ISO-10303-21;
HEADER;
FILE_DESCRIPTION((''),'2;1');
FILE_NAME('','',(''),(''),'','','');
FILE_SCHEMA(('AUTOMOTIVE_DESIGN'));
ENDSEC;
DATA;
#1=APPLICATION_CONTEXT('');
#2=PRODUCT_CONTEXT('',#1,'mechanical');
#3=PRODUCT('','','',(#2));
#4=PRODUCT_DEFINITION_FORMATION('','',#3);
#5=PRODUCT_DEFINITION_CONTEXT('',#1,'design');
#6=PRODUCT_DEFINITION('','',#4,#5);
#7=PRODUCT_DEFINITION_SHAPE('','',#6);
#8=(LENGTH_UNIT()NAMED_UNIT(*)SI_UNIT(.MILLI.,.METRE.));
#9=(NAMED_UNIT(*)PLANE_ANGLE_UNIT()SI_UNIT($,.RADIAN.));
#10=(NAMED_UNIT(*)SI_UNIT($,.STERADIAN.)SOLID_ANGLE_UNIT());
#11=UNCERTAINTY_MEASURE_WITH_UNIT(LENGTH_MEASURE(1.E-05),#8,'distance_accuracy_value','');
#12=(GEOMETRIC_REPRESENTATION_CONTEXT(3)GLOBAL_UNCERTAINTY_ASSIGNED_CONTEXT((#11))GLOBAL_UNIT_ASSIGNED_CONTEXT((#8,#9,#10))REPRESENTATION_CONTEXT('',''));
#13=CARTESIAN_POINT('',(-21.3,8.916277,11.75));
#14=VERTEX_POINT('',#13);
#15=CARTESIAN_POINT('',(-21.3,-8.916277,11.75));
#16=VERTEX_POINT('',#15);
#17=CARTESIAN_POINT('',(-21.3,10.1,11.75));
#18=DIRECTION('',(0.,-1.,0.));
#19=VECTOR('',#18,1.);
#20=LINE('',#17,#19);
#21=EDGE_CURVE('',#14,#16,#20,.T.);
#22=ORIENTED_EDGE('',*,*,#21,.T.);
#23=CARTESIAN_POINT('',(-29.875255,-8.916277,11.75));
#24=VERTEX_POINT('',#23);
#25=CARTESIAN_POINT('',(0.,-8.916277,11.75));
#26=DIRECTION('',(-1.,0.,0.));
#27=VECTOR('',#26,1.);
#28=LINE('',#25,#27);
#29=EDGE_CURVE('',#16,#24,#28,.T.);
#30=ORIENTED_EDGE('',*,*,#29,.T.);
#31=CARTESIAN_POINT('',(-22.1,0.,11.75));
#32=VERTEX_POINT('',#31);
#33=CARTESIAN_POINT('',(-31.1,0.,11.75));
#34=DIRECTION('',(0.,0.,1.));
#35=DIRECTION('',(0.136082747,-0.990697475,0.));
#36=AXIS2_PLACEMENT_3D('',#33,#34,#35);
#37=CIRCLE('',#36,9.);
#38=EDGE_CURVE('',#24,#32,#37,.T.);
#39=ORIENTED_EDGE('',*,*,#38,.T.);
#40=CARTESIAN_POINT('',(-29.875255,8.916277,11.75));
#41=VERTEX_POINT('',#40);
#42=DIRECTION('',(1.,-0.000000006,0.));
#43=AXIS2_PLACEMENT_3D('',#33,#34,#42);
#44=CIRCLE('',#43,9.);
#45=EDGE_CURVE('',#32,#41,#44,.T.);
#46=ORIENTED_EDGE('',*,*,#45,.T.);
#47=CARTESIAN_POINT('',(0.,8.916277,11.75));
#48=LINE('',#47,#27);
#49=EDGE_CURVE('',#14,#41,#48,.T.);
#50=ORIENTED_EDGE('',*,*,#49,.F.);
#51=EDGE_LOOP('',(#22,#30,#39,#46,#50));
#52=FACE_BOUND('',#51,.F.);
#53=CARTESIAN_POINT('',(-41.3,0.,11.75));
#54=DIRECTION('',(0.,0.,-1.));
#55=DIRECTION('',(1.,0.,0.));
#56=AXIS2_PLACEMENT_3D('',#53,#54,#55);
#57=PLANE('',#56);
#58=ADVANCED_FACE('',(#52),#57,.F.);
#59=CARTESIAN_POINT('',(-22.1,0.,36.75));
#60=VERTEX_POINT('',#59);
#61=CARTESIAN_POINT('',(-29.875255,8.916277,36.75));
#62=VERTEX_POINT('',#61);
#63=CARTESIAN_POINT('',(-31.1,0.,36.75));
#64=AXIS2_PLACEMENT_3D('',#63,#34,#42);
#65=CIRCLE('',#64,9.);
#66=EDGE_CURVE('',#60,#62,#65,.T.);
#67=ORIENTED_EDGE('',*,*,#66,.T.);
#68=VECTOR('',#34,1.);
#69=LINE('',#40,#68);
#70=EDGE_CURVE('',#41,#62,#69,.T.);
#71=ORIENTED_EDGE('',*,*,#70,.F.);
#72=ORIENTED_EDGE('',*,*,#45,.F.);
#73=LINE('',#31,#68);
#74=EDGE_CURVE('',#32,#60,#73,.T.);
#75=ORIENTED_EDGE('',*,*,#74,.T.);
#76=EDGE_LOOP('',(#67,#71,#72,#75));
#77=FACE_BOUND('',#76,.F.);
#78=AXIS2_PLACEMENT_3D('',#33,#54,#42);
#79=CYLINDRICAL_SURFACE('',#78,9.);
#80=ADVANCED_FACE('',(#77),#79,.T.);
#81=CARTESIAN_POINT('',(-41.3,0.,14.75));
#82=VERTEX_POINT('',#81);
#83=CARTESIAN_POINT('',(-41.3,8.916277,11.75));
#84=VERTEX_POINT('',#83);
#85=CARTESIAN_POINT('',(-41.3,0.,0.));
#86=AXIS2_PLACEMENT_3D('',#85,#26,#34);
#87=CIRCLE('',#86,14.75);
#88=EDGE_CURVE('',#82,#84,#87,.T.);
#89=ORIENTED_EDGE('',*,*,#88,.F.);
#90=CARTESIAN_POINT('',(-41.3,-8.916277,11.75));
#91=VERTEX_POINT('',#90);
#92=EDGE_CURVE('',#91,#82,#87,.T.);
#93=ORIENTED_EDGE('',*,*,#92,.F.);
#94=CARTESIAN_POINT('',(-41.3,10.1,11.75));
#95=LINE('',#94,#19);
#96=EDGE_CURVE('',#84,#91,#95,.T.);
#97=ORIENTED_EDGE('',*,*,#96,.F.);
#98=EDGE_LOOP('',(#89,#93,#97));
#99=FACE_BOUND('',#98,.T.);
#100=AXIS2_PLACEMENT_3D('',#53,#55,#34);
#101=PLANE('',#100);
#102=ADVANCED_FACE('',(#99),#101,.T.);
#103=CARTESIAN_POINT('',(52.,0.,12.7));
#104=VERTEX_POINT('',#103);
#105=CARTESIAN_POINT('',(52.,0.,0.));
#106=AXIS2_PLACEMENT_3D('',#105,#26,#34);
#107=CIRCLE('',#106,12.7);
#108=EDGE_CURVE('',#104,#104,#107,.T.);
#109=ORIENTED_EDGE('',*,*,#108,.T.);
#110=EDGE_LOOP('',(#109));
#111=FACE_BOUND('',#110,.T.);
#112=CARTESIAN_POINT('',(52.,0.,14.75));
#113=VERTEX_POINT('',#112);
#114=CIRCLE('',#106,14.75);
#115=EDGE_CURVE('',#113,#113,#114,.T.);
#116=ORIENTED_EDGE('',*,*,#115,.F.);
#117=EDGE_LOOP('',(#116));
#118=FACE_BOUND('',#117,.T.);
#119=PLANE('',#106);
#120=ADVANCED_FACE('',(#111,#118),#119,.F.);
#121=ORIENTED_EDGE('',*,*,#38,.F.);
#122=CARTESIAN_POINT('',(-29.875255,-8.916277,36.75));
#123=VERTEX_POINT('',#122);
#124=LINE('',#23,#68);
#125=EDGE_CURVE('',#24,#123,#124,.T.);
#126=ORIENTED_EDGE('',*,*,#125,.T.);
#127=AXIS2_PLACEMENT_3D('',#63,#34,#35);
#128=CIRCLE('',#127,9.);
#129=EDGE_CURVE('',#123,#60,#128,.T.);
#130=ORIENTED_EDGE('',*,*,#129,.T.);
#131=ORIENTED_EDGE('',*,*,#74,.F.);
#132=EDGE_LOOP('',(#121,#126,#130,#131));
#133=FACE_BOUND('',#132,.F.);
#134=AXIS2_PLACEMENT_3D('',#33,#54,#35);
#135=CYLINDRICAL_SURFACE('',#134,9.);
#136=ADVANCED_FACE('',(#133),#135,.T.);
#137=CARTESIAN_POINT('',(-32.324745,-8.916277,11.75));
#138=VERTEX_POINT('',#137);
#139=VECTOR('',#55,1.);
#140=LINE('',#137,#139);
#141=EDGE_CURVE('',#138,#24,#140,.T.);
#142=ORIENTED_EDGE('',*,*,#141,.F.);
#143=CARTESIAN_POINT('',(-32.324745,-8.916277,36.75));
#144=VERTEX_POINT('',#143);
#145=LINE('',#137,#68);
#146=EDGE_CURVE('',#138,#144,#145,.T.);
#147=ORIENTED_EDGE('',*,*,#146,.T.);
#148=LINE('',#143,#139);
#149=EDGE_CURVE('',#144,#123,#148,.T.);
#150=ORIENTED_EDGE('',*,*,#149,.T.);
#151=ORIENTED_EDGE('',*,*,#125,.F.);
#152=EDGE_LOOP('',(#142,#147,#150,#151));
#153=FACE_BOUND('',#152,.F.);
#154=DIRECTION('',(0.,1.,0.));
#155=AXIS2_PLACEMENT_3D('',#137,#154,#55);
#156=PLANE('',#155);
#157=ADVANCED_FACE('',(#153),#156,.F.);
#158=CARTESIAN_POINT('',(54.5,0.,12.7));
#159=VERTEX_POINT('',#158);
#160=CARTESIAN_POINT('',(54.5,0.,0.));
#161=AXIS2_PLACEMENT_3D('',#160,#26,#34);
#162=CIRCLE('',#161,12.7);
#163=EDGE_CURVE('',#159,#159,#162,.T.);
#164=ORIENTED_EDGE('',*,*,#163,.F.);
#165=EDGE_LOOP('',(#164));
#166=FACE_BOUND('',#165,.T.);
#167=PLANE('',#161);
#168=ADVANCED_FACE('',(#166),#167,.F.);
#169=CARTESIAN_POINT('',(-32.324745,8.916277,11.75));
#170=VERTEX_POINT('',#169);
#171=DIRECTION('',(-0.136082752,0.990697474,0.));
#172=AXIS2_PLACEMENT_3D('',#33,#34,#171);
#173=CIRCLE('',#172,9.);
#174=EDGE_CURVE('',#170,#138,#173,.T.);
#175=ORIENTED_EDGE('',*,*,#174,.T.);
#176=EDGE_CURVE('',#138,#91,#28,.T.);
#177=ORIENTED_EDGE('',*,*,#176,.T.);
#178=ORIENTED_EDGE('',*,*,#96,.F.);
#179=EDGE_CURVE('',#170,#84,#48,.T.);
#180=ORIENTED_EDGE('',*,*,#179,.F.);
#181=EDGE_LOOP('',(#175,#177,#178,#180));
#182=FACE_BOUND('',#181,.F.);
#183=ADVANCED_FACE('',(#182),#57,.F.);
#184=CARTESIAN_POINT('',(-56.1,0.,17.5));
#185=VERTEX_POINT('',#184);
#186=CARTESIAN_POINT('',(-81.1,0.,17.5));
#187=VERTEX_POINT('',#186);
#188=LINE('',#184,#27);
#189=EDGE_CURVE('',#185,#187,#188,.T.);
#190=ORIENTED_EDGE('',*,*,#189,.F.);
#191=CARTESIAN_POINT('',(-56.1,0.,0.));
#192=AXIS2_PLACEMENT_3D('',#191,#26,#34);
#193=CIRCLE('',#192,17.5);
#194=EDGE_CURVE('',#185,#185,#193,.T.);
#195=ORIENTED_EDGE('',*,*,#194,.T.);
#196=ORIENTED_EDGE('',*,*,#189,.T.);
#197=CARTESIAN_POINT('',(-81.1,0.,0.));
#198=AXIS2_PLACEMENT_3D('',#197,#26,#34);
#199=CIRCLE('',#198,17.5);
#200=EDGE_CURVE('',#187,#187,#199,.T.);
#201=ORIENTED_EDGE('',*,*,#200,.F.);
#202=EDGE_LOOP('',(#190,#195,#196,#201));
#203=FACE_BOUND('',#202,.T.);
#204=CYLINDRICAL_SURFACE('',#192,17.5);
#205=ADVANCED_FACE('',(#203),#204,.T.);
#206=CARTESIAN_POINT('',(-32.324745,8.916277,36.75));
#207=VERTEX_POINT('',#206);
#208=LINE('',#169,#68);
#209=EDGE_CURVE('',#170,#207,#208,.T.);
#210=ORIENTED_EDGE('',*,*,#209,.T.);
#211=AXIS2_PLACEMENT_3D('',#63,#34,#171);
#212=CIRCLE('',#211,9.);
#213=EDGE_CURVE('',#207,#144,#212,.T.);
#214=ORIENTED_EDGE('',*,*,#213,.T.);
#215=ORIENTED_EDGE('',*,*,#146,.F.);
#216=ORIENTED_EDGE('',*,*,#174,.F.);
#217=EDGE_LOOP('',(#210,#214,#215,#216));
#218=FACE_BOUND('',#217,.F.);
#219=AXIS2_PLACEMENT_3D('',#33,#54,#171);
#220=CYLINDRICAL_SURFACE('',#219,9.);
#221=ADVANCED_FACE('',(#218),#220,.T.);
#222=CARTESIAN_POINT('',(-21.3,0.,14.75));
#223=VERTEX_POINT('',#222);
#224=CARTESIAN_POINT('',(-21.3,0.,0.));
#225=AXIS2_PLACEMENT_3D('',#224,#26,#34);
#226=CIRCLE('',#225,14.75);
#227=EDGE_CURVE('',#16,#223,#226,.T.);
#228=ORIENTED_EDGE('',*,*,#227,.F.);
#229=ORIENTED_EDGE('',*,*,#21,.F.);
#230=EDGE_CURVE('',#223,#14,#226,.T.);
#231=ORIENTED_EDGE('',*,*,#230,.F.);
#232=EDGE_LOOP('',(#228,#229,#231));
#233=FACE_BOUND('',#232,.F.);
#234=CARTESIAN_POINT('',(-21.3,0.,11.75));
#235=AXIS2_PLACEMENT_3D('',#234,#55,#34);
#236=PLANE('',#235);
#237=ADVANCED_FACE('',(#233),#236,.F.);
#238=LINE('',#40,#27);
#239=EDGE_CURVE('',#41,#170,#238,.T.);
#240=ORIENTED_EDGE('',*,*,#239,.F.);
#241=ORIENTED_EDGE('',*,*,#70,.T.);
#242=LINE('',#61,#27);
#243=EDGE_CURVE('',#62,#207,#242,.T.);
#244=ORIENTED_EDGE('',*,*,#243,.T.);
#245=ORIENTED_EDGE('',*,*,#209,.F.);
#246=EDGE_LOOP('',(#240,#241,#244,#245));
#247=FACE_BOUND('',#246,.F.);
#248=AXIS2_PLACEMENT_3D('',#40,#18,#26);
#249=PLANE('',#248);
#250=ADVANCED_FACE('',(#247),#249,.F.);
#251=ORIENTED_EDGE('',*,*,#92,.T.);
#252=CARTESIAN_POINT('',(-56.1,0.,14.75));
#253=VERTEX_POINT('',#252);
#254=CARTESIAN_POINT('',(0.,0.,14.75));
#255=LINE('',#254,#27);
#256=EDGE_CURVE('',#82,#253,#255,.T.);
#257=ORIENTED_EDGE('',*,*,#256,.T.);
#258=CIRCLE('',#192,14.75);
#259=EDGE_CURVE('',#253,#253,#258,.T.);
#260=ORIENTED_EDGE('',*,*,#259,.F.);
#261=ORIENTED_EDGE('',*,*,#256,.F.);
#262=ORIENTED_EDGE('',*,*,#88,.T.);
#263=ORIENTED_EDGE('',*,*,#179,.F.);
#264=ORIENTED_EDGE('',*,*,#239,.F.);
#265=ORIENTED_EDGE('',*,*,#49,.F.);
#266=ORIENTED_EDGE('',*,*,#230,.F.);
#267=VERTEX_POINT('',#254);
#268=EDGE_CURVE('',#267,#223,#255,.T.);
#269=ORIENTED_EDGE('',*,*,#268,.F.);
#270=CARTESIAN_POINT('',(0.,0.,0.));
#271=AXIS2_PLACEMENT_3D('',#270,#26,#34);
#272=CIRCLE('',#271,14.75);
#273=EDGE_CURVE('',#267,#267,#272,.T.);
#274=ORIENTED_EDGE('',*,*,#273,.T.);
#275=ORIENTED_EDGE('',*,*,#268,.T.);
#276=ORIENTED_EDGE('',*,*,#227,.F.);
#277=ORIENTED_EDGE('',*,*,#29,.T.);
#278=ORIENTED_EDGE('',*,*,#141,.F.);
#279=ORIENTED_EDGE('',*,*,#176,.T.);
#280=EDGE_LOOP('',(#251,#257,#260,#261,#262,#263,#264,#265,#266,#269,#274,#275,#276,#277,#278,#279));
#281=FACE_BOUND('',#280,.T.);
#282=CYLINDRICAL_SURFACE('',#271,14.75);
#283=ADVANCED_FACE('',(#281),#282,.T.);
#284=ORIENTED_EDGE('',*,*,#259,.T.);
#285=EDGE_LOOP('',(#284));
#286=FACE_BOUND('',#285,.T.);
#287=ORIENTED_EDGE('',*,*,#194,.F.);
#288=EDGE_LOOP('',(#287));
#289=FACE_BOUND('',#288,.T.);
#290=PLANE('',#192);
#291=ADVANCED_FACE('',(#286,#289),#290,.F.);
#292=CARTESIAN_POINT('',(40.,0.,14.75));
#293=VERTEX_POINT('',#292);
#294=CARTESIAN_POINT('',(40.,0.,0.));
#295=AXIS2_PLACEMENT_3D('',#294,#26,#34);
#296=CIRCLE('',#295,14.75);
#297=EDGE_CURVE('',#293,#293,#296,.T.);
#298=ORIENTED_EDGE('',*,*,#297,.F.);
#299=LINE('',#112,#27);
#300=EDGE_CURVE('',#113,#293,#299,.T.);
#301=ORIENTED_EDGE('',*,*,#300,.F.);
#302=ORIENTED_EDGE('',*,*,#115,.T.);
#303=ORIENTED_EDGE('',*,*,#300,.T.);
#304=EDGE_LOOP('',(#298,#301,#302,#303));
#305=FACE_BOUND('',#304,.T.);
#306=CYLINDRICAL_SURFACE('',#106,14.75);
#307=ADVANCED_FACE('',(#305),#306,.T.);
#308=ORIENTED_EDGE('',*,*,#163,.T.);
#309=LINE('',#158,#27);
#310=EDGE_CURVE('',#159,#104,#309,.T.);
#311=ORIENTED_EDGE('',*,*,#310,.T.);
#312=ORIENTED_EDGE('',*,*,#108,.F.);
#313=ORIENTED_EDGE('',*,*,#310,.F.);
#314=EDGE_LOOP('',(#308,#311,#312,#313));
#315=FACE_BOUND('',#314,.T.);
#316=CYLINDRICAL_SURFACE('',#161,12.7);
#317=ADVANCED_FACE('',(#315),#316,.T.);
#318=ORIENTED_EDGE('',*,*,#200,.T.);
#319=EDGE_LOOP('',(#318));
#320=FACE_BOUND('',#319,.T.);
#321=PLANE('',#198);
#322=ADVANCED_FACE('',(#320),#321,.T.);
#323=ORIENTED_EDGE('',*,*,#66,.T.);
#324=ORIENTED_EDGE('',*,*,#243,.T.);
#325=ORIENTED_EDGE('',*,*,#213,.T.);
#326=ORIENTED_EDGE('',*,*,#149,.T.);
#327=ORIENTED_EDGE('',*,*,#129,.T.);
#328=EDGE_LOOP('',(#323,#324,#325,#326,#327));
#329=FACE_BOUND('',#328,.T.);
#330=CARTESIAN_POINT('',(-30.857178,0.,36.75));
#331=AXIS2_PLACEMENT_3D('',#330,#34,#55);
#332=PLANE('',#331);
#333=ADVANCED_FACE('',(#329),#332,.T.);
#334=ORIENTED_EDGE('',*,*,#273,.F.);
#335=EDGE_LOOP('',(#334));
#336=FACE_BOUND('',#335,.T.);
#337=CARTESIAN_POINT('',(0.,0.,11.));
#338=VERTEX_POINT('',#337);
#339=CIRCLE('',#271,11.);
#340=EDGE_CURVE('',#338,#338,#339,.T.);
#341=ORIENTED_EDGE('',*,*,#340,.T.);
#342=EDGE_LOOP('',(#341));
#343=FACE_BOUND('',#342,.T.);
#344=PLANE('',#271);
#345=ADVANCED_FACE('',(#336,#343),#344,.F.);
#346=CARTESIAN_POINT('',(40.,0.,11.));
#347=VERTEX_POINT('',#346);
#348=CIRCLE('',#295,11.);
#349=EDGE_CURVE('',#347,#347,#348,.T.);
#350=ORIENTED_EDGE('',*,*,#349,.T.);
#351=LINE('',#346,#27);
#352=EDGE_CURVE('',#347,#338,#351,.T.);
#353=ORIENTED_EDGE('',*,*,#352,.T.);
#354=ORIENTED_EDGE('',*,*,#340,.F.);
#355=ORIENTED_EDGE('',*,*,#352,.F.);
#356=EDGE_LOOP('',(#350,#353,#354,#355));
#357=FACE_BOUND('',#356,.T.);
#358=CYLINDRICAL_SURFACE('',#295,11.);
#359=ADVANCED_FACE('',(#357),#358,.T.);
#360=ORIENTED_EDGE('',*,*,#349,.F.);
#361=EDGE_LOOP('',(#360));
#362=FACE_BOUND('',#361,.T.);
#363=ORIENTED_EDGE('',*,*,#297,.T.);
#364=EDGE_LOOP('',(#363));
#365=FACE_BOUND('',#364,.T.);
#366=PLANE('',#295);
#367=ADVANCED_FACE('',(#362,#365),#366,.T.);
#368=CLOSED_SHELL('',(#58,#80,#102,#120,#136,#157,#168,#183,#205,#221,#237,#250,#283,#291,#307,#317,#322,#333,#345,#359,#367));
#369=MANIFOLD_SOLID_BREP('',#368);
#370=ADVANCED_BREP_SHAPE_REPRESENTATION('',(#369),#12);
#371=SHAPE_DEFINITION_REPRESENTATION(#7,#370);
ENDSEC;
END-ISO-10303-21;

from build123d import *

# Parameters (mm, degrees)
F2_W     = 20
F2_H     = 3
F3_DEPTH = 10.1
F5_DEPTH = 25


with BuildPart() as f1:
    # F0 (on Front) → F1 (revolve)
    with BuildSketch(Plane.XZ):
        Polygon((-81.1, 0), (54.5, 0), (54.5, 12.7), (52, 12.7), (52, 14.75), (40, 14.75), (40, 11), (0, 11), (0, 14.75), (-56.1, 14.75), (-56.1, 17.5), (-81.1, 17.5), align=None)
    revolve(axis=Axis((-19.562621, 0, 0), (-1, 0, 0)))

    # F2 (on Front) → F3 (cut, symmetric)
    with BuildSketch(Plane.XZ):
        with Locations((-31.3, 13.25)):
            Rectangle(F2_W, F2_H)
    extrude(amount=F3_DEPTH, both=True, mode=Mode.SUBTRACT)

    # F4 (on face) → F5 (join)
    with BuildSketch(Plane.XY.offset(11.75)):
        with BuildLine():
            ThreePointArc((-29.875255, -8.916277), (-24.316833, -5.91512), (-22.1, 0))
            ThreePointArc((-22.1, 0), (-24.316833, 5.91512), (-29.875255, 8.916277))
            Line((-29.875255, 8.916277), (-32.324745, 8.916277))
            ThreePointArc((-32.324745, 8.916277), (-40.1, 0), (-32.324745, -8.916277))
            Line((-32.324745, -8.916277), (-29.875255, -8.916277))
        make_face()
    extrude(amount=F5_DEPTH)


solid = f1.part
